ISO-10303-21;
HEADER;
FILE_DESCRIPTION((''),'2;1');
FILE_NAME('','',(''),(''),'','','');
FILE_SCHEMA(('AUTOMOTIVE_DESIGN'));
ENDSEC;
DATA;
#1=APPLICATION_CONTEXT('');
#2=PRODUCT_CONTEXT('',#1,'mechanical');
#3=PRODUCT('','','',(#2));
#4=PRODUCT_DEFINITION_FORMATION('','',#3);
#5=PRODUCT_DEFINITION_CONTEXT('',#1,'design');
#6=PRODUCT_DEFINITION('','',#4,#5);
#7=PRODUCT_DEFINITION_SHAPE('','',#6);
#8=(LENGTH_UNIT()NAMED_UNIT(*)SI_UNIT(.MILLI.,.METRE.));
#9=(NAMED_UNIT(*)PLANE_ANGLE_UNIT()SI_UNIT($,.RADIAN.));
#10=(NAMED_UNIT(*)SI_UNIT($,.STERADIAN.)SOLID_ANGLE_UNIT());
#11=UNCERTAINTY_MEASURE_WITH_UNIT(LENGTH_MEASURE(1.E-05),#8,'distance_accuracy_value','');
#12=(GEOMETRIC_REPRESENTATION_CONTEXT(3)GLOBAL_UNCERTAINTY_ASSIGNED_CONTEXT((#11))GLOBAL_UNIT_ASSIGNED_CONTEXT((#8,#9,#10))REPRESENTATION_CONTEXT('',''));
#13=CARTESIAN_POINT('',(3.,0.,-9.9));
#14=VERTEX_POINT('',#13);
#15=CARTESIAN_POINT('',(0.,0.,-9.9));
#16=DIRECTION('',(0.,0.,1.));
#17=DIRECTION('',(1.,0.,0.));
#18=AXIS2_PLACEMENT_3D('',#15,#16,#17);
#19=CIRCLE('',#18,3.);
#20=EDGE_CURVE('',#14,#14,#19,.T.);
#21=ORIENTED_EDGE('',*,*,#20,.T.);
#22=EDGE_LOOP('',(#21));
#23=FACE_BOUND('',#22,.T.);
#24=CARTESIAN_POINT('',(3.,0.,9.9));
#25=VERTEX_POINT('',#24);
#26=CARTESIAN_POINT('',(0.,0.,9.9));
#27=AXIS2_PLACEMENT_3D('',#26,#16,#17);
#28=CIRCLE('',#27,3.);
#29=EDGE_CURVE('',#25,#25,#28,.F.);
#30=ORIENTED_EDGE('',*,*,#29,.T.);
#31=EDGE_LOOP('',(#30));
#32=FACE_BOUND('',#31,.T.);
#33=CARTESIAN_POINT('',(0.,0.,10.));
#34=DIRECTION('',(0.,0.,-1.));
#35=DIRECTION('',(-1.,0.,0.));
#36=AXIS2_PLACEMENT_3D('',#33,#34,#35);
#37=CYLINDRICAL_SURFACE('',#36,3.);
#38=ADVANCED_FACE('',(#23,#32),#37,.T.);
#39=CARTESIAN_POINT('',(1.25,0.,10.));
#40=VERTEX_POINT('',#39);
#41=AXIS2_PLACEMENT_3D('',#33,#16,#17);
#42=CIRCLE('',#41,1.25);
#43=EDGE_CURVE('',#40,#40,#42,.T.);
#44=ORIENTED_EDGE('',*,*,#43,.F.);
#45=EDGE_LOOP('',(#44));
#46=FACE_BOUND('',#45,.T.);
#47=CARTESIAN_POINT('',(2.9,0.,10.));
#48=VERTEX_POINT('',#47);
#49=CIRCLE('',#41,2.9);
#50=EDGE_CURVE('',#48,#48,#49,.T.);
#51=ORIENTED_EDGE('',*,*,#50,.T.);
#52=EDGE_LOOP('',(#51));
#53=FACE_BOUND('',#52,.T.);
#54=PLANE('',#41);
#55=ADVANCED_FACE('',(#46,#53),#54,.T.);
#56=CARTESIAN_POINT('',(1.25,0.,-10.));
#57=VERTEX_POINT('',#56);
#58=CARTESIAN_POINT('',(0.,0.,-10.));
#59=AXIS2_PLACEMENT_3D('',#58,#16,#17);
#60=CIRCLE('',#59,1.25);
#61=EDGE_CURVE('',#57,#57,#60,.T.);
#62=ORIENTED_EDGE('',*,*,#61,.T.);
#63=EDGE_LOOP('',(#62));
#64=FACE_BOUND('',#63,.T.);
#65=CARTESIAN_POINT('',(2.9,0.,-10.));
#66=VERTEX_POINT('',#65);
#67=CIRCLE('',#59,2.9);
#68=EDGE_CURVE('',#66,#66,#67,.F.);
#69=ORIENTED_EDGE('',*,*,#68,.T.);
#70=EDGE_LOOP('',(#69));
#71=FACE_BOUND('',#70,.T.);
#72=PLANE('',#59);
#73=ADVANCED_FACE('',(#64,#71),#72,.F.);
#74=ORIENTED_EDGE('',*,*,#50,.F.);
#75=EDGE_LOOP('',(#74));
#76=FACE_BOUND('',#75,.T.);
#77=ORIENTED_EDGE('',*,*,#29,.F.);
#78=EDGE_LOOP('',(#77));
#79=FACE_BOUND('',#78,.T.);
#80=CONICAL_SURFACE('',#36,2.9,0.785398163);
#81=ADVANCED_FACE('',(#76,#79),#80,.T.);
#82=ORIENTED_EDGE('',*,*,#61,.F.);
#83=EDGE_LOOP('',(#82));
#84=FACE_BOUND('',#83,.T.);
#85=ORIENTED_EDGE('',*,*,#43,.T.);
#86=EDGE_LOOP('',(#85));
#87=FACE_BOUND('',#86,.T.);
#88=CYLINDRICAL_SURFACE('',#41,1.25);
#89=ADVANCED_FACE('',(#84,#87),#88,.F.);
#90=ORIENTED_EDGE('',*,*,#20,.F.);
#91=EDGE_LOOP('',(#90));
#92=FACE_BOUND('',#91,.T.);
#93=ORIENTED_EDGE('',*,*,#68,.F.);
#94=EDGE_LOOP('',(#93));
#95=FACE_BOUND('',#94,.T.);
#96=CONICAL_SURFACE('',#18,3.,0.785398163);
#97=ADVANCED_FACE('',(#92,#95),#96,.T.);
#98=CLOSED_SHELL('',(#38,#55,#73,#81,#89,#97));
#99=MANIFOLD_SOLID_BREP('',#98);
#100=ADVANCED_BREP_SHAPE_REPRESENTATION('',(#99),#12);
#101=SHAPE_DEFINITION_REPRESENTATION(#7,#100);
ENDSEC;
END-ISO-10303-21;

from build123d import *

# Parameters (mm, degrees)
SKETCH_1_R         = 3
EXTRUDE_1_DEPTH    = 10
CHAMFER_1_SIZE     = 0.1
HOLE_WIZARD_M3_1_D = 2.5


with BuildPart() as part:
    # 草图1 → 凸台-拉伸1 (new, symmetric)
    with BuildSketch(Plane.XY):
        Circle(SKETCH_1_R)
    extrude(amount=EXTRUDE_1_DEPTH, both=True)

    # 倒角1
    chamfer_1_edges = [part.edges().sort_by_distance(p)[0] for p in [
        (-3, 0, -10),
        (-3, 0, 10),
    ]]
    chamfer(chamfer_1_edges, length=CHAMFER_1_SIZE)

    # M3 螺纹孔1 (through all)
    with Locations(Plane.XY.offset(10)):
        with Locations((0, 0)):
            Hole(HOLE_WIZARD_M3_1_D / 2)


solid = part.part
